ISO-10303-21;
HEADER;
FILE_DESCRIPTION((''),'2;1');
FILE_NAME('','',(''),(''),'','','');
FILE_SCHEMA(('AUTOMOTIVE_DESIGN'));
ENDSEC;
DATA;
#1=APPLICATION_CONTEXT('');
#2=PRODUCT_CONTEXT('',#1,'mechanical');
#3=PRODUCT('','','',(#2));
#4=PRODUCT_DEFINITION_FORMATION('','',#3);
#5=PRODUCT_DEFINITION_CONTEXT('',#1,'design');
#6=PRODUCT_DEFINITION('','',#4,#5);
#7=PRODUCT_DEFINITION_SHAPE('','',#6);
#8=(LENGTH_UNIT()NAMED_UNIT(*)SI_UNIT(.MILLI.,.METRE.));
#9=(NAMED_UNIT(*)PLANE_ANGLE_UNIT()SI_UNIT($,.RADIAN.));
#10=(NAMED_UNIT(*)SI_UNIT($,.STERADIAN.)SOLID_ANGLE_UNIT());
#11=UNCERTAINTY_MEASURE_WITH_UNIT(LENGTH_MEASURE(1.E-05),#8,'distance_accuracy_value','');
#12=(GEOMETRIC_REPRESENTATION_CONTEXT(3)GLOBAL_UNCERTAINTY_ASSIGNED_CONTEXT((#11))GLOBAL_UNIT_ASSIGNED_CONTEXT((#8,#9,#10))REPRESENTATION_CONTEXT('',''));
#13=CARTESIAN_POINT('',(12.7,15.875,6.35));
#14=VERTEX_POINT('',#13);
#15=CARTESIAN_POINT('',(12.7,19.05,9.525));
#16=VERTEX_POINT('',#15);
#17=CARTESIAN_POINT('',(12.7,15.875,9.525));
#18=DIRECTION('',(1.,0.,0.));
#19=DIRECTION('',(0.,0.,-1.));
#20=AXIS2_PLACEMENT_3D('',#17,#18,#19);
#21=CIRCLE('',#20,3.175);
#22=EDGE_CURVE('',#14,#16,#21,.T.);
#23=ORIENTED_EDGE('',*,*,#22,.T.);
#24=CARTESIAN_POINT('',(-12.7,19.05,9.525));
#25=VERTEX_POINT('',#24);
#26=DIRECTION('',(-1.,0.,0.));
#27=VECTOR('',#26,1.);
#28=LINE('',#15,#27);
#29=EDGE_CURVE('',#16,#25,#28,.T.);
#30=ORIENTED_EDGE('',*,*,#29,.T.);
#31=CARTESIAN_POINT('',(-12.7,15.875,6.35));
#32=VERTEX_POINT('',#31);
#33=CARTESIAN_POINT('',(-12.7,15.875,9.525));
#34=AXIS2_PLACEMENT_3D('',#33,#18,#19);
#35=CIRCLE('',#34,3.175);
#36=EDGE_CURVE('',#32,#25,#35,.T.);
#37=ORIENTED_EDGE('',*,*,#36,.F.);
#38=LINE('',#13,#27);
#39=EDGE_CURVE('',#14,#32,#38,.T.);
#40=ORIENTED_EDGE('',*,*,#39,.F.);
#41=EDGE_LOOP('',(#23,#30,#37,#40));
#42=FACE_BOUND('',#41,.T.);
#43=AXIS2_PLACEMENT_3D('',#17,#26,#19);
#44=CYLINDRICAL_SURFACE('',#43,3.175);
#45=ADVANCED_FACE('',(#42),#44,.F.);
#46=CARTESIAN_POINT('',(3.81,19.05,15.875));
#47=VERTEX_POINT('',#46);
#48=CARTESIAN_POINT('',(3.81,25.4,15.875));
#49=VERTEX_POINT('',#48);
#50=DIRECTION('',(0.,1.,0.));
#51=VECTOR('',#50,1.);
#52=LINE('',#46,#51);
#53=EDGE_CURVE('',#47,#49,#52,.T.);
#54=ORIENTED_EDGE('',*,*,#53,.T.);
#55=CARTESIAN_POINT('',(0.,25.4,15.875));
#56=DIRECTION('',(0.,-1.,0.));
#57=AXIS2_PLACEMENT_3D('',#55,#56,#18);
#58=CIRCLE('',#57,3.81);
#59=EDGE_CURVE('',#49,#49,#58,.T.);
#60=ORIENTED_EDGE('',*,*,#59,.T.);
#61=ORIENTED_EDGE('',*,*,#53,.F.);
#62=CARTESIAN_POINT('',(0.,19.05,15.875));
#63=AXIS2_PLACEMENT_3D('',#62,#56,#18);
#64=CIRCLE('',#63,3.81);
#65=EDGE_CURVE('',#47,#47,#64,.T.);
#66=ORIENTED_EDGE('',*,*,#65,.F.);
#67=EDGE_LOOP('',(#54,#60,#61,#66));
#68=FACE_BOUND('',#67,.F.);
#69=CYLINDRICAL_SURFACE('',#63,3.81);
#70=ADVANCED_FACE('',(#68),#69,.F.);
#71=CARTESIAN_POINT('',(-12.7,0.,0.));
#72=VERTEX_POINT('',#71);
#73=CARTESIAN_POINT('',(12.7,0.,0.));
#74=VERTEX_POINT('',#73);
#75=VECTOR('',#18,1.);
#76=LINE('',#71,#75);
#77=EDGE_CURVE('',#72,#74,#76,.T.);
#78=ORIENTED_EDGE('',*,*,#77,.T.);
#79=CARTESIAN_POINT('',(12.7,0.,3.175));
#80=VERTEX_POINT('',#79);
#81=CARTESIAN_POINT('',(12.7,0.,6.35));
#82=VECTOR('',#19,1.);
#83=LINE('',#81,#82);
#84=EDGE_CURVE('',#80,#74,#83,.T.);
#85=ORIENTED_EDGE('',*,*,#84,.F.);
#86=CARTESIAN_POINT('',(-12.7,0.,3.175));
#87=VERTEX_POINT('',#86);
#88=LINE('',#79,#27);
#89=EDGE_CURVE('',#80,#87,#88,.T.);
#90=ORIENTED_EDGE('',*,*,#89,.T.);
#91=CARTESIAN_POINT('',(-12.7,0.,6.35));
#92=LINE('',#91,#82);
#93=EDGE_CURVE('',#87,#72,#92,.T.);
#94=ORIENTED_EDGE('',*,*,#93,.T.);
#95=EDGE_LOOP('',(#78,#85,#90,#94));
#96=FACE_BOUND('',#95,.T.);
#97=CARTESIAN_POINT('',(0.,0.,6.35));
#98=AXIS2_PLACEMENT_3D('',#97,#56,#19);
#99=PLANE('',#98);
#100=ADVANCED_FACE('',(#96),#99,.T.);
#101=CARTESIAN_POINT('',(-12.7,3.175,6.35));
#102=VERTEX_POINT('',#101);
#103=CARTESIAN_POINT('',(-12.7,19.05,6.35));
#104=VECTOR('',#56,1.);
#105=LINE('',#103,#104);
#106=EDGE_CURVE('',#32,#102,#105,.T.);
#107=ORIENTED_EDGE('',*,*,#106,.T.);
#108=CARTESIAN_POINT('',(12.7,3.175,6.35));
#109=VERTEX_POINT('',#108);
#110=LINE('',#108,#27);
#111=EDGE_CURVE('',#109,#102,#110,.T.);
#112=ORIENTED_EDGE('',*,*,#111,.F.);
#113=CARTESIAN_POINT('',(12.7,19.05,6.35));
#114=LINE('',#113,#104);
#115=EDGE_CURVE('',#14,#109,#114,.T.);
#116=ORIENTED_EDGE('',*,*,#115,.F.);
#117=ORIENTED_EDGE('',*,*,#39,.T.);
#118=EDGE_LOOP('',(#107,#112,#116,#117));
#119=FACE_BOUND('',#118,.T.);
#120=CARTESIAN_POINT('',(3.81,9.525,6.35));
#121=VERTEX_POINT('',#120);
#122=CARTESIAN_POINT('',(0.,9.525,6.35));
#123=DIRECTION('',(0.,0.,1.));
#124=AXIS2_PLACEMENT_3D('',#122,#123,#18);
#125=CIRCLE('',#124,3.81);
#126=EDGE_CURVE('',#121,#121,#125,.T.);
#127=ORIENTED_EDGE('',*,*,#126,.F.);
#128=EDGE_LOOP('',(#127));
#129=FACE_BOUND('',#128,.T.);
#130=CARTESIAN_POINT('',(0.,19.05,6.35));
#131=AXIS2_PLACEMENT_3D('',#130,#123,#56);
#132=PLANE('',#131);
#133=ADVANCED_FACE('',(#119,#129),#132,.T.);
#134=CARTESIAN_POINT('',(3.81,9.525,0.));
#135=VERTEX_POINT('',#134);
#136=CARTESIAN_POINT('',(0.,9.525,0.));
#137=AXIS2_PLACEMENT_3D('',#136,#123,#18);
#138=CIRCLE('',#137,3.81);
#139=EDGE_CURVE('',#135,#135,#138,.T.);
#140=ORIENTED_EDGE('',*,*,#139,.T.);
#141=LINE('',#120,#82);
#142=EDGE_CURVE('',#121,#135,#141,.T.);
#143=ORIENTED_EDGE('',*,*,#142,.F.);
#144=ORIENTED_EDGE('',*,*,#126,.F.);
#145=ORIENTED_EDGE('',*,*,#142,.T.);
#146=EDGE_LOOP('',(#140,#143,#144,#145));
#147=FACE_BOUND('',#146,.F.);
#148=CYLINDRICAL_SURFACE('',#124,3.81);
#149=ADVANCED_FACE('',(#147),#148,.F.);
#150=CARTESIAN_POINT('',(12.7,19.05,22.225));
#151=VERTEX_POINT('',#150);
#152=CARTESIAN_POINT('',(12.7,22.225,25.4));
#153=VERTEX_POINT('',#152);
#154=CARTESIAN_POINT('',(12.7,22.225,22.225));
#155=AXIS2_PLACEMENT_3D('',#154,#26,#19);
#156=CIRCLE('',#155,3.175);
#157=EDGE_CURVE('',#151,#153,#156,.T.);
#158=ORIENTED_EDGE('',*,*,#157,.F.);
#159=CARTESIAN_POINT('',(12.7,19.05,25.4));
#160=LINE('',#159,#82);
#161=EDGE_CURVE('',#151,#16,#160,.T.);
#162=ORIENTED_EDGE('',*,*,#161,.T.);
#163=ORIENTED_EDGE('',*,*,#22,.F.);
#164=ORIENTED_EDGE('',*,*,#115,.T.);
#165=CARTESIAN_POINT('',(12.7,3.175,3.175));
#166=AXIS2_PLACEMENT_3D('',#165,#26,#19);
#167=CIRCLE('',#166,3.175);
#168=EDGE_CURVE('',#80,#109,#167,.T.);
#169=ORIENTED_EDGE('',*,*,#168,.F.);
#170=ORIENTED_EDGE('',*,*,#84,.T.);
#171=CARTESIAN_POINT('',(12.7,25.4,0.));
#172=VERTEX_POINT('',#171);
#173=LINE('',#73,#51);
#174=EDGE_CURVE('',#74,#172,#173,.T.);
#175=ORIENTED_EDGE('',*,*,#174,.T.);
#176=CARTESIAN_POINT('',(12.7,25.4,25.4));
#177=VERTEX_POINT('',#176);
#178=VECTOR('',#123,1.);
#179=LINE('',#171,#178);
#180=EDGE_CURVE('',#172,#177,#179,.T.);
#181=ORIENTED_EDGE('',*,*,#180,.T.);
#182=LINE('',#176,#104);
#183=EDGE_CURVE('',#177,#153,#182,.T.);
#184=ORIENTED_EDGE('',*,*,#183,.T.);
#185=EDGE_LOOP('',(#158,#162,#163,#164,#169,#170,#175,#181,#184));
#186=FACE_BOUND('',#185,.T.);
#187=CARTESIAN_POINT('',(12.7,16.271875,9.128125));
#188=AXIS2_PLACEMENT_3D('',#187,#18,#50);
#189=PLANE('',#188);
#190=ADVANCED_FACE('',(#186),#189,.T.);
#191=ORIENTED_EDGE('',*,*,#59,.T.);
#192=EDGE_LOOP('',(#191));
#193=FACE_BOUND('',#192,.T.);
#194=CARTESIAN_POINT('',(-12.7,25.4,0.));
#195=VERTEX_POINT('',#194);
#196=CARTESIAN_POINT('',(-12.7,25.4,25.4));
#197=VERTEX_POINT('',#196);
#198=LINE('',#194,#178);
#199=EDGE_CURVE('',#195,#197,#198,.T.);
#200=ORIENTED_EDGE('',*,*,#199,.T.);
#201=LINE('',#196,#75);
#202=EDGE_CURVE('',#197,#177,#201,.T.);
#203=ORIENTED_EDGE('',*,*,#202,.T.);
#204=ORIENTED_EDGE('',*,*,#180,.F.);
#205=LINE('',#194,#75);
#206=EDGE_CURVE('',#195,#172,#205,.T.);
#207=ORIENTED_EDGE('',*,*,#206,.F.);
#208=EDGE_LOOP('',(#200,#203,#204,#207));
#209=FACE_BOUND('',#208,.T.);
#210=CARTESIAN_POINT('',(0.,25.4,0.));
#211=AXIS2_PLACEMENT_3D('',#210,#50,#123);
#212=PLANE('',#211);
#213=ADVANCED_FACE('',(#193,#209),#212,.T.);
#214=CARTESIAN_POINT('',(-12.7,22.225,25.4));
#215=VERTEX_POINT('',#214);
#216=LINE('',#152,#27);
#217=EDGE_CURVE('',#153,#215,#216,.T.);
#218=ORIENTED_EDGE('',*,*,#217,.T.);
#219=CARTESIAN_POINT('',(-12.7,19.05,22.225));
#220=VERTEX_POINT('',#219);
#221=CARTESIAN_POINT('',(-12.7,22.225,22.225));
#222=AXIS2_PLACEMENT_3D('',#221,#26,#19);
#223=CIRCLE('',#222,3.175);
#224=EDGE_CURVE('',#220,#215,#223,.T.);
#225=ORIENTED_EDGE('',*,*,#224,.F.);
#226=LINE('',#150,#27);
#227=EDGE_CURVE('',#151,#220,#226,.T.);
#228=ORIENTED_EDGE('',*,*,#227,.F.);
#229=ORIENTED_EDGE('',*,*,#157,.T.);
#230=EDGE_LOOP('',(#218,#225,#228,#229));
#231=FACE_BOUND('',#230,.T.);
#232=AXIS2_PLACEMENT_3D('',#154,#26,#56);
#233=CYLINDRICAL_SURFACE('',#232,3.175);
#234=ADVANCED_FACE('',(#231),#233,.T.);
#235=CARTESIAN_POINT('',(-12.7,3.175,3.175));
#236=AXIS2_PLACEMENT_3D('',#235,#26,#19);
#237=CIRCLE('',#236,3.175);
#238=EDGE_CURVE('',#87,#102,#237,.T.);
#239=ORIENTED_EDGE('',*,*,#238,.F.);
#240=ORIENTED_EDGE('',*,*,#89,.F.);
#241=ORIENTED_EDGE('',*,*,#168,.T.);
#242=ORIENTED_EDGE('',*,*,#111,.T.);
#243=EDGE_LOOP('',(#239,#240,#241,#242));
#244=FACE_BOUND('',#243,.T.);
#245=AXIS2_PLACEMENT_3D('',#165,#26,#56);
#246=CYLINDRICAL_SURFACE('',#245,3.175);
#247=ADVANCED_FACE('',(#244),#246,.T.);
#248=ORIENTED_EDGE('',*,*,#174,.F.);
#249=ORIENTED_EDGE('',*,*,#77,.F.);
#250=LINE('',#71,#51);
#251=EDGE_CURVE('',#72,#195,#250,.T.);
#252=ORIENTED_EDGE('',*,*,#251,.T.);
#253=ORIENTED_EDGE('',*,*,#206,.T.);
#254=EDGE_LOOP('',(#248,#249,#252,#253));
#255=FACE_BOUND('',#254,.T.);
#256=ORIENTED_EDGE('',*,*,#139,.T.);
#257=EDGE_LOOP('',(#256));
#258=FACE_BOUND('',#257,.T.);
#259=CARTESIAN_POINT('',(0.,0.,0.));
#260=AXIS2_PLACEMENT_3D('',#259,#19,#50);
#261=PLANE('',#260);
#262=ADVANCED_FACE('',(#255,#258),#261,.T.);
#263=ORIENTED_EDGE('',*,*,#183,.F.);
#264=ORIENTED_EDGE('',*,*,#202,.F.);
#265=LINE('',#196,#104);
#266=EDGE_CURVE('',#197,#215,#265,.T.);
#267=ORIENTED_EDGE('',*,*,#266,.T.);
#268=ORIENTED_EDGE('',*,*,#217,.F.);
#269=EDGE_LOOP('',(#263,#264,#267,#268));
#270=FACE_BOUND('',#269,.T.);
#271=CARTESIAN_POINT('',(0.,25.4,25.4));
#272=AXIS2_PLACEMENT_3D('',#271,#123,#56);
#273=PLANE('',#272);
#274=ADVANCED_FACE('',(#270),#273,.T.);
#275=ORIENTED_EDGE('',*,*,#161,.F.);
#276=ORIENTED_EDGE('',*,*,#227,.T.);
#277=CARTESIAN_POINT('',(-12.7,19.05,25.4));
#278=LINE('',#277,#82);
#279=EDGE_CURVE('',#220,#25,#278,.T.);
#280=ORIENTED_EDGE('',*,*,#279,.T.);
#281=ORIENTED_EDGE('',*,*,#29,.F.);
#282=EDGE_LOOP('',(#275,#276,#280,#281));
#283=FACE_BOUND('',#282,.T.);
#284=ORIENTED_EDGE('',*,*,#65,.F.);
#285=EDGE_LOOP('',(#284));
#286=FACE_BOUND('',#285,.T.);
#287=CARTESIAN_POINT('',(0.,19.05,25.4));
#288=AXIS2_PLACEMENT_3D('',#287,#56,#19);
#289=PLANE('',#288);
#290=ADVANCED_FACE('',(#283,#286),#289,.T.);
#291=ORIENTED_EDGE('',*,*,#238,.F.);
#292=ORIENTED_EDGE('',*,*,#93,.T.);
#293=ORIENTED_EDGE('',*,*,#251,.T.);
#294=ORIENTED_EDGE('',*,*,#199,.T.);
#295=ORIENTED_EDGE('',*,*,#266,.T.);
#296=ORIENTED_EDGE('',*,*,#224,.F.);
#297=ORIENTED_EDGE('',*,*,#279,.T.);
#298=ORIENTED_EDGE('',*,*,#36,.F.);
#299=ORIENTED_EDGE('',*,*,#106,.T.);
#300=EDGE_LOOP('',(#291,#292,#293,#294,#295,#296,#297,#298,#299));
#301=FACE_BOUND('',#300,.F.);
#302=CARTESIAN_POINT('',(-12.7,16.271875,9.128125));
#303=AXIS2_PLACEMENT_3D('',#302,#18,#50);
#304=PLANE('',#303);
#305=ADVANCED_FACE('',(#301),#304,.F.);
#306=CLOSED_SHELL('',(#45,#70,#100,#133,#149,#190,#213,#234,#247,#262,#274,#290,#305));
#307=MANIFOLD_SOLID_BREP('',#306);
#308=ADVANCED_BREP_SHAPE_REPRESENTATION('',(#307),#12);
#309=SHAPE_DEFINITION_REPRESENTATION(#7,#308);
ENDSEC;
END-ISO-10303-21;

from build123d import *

# Parameters (mm, degrees)
F1_DEPTH = 12.7
F2_R     = 3.175
F3_R     = 3.81
F4_DEPTH = 25.4
F5_R     = 3.81
F6_DEPTH = 25.4


with BuildPart() as f1:
    # F0 (on Right) → F1 (new body, symmetric)
    with BuildSketch(Plane.YZ):
        Polygon((0, 6.35), (0, 0), (25.4, 0), (25.4, 25.4), (19.05, 25.4), (19.05, 6.35), align=None)
    extrude(amount=F1_DEPTH, both=True)

    # F2
    f2_edges = [f1.edges().sort_by_distance(p)[0] for p in [
        (0, 0, 6.35),
        (0, 19.05, 6.35),
        (0, 19.05, 25.4),
    ]]
    fillet(f2_edges, radius=F2_R)

    # F3 (on face) → F4 (cut)
    with BuildSketch(Plane.XY.offset(6.35)):
        with Locations((0, 9.525)):
            Circle(F3_R)
    extrude(amount=-F4_DEPTH, mode=Mode.SUBTRACT)

    # F5 (on face) → F6 (cut)
    with BuildSketch(Plane.XZ.offset(-19.05)):
        with Locations((0, 15.875)):
            Circle(F5_R)
    extrude(amount=-F6_DEPTH, mode=Mode.SUBTRACT)


solid = f1.part
